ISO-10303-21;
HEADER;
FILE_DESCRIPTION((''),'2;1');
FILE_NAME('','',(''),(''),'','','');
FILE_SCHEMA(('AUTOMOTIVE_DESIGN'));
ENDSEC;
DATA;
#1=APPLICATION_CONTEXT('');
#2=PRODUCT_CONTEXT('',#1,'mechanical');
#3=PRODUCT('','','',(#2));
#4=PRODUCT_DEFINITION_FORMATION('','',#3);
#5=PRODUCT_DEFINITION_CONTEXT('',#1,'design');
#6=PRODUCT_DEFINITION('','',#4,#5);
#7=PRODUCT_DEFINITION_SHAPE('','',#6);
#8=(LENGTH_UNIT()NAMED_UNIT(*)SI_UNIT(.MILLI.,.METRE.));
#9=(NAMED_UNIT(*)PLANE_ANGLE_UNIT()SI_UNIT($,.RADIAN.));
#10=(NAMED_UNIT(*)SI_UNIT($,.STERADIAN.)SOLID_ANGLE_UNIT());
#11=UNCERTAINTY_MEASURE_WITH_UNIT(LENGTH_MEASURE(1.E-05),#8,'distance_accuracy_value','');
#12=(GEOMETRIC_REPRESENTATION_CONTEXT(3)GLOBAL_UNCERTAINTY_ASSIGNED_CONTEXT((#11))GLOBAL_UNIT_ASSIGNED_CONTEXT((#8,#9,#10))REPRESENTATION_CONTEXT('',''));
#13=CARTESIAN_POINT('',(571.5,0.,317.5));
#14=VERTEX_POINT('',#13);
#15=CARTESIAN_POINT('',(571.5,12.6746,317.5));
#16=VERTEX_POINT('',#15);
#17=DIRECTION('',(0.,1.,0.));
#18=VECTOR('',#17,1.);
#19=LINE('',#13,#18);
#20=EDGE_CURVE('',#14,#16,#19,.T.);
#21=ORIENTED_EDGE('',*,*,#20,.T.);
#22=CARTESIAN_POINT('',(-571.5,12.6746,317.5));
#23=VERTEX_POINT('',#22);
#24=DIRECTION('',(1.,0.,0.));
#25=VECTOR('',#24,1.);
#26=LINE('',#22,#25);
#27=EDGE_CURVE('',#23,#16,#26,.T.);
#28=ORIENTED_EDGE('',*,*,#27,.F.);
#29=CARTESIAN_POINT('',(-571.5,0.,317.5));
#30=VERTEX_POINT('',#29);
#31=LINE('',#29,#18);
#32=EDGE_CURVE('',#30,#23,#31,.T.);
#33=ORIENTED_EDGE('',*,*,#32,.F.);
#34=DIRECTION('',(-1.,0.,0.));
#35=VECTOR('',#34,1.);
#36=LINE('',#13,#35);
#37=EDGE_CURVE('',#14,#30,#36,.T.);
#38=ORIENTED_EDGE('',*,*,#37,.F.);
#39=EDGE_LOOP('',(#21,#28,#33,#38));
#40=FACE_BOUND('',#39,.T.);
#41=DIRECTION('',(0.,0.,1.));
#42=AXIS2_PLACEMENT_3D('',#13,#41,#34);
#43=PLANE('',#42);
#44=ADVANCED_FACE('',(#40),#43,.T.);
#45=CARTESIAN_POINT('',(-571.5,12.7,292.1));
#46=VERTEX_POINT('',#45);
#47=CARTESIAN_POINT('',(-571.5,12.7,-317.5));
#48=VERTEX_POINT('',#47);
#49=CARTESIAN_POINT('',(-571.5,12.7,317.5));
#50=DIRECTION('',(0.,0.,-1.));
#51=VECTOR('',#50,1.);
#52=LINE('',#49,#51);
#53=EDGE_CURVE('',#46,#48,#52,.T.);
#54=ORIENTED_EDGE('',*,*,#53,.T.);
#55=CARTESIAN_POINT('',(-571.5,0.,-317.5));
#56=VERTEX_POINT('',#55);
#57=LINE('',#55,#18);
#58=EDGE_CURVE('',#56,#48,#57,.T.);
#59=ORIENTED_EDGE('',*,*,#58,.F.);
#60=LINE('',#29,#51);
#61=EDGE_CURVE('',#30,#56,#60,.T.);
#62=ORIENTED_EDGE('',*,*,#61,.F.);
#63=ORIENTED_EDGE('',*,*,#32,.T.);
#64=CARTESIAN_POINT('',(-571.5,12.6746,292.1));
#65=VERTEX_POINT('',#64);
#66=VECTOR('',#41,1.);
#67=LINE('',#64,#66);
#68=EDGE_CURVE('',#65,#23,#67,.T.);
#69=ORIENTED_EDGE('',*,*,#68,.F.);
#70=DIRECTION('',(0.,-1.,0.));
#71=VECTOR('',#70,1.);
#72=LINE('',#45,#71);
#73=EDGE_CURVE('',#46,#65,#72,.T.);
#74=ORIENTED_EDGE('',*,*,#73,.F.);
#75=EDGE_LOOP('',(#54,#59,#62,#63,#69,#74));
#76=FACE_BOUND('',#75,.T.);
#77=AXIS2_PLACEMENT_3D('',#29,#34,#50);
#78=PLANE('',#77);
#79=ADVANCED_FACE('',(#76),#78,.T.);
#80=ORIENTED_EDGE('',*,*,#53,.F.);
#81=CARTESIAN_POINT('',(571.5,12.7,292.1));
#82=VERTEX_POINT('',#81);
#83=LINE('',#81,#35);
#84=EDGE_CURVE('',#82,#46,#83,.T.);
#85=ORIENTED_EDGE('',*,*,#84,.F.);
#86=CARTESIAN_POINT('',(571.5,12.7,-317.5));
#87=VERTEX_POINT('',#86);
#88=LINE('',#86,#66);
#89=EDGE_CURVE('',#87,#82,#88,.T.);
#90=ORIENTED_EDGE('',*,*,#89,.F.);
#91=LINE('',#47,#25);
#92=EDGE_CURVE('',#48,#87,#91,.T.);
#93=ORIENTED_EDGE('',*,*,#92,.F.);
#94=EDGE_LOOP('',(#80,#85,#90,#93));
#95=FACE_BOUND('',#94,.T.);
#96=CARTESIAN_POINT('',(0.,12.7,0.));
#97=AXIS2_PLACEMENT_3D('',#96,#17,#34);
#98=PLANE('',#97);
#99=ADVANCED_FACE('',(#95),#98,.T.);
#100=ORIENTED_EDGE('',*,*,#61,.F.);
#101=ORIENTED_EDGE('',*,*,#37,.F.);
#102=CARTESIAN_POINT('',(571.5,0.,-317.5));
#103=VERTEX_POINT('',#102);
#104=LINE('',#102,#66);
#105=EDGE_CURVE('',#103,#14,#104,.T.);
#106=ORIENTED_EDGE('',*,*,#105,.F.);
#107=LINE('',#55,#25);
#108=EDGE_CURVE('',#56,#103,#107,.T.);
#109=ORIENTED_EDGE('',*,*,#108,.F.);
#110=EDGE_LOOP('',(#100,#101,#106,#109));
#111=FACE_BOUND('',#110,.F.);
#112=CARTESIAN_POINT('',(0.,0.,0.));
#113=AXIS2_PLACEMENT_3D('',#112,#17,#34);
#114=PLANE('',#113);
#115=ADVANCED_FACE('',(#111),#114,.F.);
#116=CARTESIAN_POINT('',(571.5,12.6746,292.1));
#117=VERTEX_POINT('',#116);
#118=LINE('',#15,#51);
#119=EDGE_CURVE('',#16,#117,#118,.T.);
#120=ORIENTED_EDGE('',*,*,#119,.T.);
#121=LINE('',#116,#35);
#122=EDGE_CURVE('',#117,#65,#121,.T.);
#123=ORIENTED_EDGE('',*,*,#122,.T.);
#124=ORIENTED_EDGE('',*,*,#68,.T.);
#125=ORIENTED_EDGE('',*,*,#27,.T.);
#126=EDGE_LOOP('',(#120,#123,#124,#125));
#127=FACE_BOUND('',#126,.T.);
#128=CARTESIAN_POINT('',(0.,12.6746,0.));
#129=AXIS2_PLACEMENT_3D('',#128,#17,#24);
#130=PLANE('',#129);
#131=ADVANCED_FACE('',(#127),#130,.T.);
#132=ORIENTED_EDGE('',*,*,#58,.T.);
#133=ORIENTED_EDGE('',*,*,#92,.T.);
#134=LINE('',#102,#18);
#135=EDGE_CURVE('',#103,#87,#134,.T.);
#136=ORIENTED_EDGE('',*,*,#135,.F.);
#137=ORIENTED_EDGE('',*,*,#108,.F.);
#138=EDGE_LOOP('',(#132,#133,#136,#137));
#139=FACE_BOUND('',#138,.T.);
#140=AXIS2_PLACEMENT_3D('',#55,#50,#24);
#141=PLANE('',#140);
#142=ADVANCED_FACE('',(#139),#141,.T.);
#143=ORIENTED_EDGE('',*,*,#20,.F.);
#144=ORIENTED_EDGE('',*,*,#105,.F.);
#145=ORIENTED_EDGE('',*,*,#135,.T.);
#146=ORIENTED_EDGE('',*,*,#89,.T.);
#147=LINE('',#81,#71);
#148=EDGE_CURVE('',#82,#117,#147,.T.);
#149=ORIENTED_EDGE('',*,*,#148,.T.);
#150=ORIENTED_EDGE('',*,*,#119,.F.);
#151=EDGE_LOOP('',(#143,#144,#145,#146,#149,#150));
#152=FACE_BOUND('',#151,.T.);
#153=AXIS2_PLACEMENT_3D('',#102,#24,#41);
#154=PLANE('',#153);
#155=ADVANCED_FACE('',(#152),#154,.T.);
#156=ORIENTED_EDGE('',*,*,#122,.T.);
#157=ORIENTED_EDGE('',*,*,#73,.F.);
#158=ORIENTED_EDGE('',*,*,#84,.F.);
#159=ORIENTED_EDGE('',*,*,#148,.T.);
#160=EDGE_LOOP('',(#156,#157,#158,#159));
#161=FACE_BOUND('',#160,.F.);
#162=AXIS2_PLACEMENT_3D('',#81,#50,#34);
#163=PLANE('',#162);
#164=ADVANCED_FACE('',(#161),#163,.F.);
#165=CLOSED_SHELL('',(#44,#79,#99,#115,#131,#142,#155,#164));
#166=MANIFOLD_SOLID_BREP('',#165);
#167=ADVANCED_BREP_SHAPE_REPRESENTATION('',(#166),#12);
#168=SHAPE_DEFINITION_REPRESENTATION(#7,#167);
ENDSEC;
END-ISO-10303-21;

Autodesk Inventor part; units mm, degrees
ref_plane "YZ Plane" through (0, 0, 0) normal (1, 0, 0) x (0, 1, 0)
ref_plane "XZ Plane" through (0, 0, 0) normal (0, 1, 0) x (-1, 0, 0)
ref_plane "XY Plane" through (0, 0, 0) normal (0, 0, 1) x (1, 0, 0)
sketch "Sketch1" plane through (0, 0, 0) normal (0, 1, 0) x (-1, 0, 0)
  line L0 (-571.5, 317.5) -> (571.5, 317.5)
  line L1 (571.5, 317.5) -> (571.5, -317.5)
  line L2 (571.5, -317.5) -> (-571.5, -317.5)
  line L3 (-571.5, -317.5) -> (-571.5, 317.5)
  line L4 (-571.5, 317.5) -> (571.5, -317.5) construction
  line L5 (571.5, 317.5) -> (-571.5, -317.5) construction
  point P0 (0, 0)
  dimension "d0" = 1143
  dimension "d1" = 635
extrude "Extrusion1" add sketch "Sketch1" along normal blind 12.7
sketch "Sketch2" plane through (0, 12.7, 0) normal (0, 1, 0) x (1, 0, 0)
  line L0 (-571.5, -317.5) -> (571.5, -317.5) projected
  line L1 (571.5, -317.5) -> (571.5, 317.5) projected
  line L2 (-571.5, -317.5) -> (571.5, -317.5)
  line L3 (571.5, -317.5) -> (571.5, -292.1)
  line L4 (571.5, -292.1) -> (-571.5, -292.1)
  line L5 (-571.5, -292.1) -> (-571.5, -317.5)
  point P0 (0, 0)
  dimension "d4" = 25.4
extrude "Extrusion2" cut sketch "Sketch2" against normal blind 0.0254
properties part number "floorMidLayer" material "Wood (Birch)"
